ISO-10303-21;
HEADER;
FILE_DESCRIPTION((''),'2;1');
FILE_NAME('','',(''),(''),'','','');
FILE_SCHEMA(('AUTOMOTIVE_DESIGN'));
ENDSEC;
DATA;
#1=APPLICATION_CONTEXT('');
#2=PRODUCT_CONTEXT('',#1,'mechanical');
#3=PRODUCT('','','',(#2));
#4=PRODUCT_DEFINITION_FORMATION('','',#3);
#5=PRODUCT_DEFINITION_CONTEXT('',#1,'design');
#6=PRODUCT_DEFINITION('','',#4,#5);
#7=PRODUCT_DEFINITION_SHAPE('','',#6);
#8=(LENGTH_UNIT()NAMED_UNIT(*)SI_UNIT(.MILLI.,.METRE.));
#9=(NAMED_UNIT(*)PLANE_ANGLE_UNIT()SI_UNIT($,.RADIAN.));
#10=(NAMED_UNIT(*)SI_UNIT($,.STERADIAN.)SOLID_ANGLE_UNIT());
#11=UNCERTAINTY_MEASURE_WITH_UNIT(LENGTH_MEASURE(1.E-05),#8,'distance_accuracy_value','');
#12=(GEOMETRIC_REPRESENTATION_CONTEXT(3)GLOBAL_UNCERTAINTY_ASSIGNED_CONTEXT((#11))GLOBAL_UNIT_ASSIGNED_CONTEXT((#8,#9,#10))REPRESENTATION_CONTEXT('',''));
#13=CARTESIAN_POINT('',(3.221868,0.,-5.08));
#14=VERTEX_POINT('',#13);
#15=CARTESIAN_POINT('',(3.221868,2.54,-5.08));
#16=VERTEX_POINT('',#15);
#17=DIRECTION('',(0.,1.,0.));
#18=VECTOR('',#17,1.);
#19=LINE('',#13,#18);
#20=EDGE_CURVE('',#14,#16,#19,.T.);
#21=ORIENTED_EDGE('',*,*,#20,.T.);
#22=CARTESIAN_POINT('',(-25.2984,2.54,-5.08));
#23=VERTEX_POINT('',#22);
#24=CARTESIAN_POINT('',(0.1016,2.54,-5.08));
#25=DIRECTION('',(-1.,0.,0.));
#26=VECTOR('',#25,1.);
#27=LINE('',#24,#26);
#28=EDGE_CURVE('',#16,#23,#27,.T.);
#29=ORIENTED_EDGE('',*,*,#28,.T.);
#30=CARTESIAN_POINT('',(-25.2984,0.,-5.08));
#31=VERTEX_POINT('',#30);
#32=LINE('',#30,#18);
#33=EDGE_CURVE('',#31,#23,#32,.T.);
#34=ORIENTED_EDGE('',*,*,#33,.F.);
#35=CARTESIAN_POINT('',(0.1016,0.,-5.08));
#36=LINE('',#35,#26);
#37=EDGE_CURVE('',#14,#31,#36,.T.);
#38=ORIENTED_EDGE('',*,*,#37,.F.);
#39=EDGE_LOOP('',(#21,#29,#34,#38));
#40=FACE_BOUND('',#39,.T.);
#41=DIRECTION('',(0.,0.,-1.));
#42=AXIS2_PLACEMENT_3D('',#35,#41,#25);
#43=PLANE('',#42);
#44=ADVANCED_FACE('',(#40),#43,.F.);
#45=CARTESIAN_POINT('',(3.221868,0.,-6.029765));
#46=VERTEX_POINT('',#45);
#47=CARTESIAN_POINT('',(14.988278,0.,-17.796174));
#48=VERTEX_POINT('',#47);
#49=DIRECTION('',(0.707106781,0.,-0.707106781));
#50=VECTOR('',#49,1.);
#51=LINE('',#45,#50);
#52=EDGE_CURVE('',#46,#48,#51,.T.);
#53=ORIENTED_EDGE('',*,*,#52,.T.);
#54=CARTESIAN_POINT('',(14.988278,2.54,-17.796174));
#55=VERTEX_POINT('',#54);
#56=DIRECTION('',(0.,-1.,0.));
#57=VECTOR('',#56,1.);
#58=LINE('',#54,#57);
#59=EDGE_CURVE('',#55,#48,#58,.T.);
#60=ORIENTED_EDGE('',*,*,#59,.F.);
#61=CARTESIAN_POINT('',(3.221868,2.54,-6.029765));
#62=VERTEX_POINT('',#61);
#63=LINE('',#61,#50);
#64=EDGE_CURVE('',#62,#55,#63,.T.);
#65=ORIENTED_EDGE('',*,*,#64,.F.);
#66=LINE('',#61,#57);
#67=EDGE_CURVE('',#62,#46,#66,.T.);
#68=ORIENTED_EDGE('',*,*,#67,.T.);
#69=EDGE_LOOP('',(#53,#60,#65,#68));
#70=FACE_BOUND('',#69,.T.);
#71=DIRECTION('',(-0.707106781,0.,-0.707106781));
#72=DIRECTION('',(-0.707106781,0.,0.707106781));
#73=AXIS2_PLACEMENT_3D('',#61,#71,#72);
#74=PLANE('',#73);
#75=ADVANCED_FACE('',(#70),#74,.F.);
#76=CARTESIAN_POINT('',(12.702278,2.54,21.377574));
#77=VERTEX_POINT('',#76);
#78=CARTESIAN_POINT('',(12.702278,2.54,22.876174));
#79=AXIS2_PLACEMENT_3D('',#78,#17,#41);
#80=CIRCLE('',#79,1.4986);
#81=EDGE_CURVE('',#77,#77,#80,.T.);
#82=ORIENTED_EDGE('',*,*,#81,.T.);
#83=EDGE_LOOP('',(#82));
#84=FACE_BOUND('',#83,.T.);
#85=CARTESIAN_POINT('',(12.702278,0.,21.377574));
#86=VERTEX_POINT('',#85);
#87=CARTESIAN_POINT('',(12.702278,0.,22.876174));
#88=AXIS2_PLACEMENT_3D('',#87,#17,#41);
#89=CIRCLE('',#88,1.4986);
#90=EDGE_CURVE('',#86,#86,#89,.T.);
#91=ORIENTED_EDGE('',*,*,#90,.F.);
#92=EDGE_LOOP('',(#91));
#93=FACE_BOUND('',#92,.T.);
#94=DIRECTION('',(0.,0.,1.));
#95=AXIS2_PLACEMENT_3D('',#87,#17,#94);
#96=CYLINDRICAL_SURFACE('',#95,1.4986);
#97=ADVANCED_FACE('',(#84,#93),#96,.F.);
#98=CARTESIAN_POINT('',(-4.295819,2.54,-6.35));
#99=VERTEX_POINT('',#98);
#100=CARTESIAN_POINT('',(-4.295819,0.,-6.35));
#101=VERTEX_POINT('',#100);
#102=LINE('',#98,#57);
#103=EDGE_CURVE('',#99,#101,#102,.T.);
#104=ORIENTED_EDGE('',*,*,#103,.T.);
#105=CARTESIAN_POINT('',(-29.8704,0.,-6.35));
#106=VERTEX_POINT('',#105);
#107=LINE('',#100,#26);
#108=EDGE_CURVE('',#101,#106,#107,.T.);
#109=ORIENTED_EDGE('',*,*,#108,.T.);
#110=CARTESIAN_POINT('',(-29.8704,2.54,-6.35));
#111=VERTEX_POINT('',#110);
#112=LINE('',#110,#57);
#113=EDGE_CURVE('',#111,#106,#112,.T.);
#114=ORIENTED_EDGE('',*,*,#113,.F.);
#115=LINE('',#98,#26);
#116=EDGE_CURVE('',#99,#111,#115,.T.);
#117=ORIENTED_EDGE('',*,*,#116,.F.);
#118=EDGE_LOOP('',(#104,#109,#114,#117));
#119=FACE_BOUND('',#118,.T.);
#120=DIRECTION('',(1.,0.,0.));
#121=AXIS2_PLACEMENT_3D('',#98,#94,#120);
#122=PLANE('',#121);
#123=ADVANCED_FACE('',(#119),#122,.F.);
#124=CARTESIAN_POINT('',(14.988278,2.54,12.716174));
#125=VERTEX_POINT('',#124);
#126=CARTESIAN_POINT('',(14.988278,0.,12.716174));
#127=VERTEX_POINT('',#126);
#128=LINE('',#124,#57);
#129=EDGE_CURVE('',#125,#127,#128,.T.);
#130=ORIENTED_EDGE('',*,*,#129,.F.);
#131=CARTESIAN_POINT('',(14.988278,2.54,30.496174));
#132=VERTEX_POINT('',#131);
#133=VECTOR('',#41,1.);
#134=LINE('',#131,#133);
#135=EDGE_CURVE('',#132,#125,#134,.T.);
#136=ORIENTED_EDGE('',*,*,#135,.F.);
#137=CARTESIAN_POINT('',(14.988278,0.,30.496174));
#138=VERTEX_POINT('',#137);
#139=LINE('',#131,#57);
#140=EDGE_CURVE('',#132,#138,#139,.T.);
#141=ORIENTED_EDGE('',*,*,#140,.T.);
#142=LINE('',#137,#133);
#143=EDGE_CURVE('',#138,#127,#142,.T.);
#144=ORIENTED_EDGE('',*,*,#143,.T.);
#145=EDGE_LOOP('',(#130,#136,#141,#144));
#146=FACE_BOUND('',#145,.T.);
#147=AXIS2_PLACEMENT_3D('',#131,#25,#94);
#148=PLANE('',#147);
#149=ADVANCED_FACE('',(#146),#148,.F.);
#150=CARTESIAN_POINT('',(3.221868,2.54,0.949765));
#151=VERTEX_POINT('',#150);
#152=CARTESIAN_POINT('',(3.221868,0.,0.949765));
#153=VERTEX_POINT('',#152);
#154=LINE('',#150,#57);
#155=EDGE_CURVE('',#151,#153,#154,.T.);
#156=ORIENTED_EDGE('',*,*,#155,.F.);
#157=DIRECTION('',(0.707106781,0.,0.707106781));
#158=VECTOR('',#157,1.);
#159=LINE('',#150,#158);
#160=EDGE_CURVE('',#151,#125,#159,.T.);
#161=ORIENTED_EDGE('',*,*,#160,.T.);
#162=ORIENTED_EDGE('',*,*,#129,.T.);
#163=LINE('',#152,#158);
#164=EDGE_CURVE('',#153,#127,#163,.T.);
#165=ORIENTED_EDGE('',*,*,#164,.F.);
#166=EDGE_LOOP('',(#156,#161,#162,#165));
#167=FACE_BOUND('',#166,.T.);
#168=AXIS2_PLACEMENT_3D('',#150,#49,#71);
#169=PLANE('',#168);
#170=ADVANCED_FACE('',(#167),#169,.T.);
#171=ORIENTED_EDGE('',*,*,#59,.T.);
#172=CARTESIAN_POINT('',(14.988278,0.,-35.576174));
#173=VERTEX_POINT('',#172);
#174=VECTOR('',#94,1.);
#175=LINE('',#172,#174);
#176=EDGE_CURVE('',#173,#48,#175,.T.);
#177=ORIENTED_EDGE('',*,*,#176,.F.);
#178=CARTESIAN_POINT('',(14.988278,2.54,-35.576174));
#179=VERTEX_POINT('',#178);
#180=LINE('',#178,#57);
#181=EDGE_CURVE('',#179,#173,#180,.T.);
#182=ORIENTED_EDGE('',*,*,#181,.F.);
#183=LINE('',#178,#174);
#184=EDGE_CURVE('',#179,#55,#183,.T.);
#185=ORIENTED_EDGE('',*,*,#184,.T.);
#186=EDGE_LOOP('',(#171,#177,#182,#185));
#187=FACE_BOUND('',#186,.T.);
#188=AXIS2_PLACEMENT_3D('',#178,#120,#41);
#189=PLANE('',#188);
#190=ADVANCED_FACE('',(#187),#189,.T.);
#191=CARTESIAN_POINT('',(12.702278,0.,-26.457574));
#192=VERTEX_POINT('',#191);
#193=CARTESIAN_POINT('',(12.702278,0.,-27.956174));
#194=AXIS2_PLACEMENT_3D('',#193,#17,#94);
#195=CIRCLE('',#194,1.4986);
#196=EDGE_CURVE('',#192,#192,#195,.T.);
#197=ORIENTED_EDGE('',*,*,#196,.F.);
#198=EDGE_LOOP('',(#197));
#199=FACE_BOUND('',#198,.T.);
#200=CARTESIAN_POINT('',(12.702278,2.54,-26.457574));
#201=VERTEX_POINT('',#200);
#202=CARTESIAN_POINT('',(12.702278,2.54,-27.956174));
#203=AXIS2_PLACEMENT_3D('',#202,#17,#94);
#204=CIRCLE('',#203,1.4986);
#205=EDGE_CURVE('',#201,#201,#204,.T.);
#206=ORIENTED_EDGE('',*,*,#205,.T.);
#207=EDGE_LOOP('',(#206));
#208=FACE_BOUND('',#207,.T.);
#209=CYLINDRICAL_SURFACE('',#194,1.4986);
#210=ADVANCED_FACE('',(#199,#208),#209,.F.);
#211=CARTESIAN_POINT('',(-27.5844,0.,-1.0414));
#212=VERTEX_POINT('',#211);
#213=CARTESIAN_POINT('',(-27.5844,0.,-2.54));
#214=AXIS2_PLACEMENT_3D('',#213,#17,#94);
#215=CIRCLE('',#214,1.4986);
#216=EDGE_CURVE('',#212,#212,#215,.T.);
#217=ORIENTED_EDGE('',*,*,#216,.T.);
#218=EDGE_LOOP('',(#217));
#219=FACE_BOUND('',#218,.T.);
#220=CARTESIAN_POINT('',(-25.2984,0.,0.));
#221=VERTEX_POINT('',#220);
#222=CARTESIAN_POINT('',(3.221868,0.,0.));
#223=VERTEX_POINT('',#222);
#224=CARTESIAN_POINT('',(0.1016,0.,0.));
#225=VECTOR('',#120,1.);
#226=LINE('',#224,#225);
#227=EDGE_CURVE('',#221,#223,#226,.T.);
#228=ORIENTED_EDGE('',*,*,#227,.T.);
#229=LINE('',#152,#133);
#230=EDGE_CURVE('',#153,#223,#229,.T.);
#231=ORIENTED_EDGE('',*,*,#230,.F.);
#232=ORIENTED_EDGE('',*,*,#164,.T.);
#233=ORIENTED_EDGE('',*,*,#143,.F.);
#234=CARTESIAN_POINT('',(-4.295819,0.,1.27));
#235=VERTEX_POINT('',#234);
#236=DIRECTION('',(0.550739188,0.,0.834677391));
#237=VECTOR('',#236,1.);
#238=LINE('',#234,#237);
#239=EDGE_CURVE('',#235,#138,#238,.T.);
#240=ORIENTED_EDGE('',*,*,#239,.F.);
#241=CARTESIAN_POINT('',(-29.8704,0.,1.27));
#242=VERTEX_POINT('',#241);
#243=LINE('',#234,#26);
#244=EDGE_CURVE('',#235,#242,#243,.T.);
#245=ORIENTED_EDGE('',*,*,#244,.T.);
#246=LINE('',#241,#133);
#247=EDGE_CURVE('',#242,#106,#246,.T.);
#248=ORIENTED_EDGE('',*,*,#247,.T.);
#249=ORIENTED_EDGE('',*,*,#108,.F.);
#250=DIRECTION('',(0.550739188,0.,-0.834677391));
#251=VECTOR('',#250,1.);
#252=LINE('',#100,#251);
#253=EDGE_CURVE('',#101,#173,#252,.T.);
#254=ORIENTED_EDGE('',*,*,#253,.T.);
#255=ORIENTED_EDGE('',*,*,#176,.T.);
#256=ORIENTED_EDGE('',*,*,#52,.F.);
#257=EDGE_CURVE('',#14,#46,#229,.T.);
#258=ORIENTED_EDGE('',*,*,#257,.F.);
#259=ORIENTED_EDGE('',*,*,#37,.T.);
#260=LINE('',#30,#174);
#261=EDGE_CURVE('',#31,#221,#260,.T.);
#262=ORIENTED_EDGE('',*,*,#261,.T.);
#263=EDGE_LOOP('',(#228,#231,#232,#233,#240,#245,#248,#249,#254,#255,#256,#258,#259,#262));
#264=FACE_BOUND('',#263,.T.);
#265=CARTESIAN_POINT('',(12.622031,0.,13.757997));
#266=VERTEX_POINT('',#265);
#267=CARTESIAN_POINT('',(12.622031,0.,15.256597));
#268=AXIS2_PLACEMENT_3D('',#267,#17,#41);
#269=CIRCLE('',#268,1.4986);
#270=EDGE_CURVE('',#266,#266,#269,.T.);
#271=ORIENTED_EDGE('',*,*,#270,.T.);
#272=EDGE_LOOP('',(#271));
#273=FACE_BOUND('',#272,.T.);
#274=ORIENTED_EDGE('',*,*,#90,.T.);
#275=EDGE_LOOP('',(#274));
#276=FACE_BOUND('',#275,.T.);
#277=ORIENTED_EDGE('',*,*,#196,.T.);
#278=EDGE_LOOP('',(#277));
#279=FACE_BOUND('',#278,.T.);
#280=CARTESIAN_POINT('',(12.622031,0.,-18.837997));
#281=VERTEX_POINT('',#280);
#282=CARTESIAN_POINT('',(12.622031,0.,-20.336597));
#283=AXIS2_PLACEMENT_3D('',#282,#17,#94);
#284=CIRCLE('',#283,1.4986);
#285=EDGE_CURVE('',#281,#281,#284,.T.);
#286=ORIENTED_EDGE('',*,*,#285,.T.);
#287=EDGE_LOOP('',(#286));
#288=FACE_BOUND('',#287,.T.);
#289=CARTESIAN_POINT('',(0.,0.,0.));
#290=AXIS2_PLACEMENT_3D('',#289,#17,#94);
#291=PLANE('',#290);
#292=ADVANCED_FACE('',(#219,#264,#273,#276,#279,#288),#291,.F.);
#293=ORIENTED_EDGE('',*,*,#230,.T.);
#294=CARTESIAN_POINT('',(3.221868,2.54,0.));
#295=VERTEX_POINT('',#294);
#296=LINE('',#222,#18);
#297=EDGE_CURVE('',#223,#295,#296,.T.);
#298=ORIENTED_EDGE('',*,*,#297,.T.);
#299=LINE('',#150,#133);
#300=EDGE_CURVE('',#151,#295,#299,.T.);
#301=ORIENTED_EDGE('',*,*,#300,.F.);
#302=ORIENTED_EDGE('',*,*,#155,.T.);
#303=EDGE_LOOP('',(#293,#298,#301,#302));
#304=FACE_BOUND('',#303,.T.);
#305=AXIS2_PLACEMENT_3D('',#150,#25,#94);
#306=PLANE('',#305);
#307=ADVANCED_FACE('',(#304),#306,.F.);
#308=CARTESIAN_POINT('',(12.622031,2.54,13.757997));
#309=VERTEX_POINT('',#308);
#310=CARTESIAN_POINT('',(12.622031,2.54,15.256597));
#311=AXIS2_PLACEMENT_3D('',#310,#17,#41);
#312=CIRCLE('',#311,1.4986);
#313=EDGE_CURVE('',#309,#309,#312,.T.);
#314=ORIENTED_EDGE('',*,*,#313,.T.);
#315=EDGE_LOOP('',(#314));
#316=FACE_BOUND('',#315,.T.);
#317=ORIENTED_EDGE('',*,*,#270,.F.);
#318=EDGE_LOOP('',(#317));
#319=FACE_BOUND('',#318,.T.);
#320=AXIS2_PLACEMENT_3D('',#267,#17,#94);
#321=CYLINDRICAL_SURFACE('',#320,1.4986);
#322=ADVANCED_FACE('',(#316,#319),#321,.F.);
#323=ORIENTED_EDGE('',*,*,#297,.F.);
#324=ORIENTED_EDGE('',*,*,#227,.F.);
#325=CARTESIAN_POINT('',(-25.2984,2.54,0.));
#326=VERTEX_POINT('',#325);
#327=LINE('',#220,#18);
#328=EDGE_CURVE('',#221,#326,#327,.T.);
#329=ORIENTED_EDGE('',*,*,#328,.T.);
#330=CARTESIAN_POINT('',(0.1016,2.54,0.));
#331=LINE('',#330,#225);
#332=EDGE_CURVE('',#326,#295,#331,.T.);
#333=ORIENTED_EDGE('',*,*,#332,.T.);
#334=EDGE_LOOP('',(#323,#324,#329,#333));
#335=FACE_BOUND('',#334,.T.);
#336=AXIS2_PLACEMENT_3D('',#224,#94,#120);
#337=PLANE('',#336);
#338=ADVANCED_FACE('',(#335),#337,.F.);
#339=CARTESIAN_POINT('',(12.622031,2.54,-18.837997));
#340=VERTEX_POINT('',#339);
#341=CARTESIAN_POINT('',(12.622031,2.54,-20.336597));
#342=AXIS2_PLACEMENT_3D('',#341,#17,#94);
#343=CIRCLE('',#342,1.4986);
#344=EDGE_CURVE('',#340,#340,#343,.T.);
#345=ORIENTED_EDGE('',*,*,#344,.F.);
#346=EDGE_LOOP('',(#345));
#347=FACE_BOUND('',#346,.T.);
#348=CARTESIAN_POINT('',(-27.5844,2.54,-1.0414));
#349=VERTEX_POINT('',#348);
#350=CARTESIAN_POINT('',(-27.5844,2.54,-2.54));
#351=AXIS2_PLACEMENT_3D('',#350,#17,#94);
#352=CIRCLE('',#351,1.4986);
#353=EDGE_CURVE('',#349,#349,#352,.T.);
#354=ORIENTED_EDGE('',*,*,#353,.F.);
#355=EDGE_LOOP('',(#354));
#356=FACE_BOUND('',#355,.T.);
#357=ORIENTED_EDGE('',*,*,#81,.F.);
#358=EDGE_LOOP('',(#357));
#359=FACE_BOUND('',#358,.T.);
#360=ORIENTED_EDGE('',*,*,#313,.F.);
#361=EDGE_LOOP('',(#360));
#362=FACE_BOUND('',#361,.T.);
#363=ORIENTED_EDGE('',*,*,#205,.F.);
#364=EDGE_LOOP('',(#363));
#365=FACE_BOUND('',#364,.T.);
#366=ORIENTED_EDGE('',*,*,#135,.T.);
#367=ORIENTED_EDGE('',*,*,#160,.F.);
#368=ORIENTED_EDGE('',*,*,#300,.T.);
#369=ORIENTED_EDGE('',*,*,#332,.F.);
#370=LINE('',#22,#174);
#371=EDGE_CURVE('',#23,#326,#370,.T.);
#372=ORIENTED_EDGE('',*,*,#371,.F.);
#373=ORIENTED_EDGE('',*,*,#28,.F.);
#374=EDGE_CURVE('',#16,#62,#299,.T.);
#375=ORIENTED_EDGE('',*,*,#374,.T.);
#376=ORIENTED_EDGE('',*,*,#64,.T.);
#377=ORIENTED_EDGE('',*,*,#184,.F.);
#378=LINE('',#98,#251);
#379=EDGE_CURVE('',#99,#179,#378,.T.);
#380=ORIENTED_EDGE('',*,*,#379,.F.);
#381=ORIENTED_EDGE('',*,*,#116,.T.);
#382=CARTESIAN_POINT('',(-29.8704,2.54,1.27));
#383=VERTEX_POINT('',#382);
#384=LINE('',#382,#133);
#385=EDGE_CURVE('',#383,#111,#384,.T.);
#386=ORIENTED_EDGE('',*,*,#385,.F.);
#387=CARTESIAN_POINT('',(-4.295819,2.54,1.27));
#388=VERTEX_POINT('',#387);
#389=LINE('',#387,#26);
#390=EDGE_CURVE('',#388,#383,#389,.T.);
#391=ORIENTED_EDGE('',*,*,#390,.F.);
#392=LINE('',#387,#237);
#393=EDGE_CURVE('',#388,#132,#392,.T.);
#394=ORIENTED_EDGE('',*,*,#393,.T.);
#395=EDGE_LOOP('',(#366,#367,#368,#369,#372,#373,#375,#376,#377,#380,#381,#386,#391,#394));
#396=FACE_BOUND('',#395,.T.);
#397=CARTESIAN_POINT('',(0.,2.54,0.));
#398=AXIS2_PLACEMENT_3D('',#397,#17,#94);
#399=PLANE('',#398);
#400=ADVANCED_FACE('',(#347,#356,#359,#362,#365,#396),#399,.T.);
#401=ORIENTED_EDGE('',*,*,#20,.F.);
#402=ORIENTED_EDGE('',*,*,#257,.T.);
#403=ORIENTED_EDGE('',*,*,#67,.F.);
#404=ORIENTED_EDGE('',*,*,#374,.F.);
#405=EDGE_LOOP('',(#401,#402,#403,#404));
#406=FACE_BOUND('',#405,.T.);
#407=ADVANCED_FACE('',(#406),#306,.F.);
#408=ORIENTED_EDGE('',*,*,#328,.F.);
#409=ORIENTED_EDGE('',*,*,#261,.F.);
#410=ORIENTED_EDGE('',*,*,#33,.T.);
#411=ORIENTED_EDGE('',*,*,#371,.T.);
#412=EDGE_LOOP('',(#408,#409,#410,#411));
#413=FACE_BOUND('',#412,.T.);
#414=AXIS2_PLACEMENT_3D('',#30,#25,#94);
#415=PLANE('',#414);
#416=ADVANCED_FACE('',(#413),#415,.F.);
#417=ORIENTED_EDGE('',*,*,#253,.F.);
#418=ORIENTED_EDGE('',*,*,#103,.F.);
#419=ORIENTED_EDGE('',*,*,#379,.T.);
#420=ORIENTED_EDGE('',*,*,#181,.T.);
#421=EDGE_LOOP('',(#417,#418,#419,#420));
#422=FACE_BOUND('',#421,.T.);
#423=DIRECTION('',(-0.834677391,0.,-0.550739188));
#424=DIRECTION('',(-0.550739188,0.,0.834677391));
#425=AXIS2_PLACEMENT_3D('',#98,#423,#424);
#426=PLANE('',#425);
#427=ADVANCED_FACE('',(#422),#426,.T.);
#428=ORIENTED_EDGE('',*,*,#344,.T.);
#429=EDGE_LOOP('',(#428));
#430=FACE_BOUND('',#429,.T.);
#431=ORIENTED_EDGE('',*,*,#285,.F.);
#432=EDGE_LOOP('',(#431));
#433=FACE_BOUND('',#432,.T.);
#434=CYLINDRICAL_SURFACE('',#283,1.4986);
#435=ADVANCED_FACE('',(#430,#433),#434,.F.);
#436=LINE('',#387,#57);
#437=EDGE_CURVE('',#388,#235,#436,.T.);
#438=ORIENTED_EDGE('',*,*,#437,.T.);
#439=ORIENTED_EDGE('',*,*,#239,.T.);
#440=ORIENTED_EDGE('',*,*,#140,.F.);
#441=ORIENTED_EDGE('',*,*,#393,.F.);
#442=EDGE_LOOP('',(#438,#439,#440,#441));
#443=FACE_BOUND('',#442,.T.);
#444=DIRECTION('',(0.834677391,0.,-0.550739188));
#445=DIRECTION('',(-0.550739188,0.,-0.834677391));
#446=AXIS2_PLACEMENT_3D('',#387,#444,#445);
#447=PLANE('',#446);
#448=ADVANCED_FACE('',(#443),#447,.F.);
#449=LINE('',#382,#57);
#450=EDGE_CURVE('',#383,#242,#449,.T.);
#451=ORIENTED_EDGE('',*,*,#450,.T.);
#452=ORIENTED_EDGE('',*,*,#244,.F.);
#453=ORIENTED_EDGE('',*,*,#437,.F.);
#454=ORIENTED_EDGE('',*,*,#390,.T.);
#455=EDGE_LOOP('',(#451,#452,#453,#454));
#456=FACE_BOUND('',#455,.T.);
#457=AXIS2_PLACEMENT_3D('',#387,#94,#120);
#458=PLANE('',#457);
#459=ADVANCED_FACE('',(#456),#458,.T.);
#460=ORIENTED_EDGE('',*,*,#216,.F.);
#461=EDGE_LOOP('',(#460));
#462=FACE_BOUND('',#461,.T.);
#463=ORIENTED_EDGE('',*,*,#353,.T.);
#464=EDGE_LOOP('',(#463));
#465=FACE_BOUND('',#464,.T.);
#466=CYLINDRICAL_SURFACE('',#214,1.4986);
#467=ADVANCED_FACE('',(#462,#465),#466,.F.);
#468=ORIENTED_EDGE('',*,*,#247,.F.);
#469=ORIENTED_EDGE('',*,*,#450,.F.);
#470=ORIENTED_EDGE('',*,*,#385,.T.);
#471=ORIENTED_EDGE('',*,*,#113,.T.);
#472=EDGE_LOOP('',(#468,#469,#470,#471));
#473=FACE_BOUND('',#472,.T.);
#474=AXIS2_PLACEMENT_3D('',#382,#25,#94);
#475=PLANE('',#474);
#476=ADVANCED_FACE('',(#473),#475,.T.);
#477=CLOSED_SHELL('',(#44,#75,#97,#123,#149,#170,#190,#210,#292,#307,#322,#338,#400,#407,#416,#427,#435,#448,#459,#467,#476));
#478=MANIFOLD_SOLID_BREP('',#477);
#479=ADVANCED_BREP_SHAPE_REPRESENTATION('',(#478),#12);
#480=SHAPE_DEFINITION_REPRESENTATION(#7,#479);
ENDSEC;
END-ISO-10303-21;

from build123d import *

# Parameters (mm, degrees)
BOSS_EXTRUDE2_DEPTH = 2.54
SKETCH7_R           = 1.4986
SKETCH7_W           = 25.4
SKETCH7_H           = 5.08
CUT_EXTRUDE1_DEPTH  = 2.54
CUT_EXTRUDE2_DEPTH  = 47.522645815


with BuildPart() as part:
    # Sketch1 → Boss-Extrude2 (new body)
    with BuildSketch(Plane(origin=(0, 0, 0), x_dir=(1, 0, 0), z_dir=(0, 1, 0))):
        Polygon((3.221868426, 6.029765094), (14.988277627, 17.796174295), (14.988277627, 35.576174295), (-4.295819053, 6.35), (-29.8704, 6.35), (-29.8704, -1.27), (-4.295819053, -1.27), (14.988277627, -30.496174295), (14.988277627, -12.716174295), (3.221868426, -0.949765094), align=None)
    extrude(amount=BOSS_EXTRUDE2_DEPTH)

    # Sketch7 → Cut-Extrude1 (cut)
    with BuildSketch(Plane(origin=(0, 2.54, 0), x_dir=(1, 0, 0), z_dir=(0, 1, 0))):
        with Locations(Location((-27.5844, 2.54, 0), (0, 0, 270))):
            Circle(SKETCH7_R)
        with Locations(Location((12.702277627, 27.956174295, 0), (0, 0, 270))):
            Circle(SKETCH7_R)
        with Locations(Location((12.622030753, 20.33659685, 0), (0, 0, 270))):
            Circle(SKETCH7_R)
        with Locations(Location((12.622030753, -15.25659685, 0), (0, 0, 90))):
            Circle(SKETCH7_R)
        with Locations(Location((12.702277627, -22.876174295, 0), (0, 0, 90))):
            Circle(SKETCH7_R)
        with Locations((-12.5984, 2.54)):
            Rectangle(SKETCH7_W, SKETCH7_H)
    extrude(amount=-CUT_EXTRUDE1_DEPTH, mode=Mode.SUBTRACT)

    # Sketch8 → Cut-Extrude2 (cut, through all)
    with BuildSketch(Plane(origin=(0, 2.54, 0), x_dir=(1, 0, 0), z_dir=(0, 1, 0))):
        Polygon((0.1016, 5.08), (3.221868426, 5.08), (3.221868426, 0), (0, 0), align=None)
    extrude(amount=-CUT_EXTRUDE2_DEPTH, mode=Mode.SUBTRACT)


solid = part.part
